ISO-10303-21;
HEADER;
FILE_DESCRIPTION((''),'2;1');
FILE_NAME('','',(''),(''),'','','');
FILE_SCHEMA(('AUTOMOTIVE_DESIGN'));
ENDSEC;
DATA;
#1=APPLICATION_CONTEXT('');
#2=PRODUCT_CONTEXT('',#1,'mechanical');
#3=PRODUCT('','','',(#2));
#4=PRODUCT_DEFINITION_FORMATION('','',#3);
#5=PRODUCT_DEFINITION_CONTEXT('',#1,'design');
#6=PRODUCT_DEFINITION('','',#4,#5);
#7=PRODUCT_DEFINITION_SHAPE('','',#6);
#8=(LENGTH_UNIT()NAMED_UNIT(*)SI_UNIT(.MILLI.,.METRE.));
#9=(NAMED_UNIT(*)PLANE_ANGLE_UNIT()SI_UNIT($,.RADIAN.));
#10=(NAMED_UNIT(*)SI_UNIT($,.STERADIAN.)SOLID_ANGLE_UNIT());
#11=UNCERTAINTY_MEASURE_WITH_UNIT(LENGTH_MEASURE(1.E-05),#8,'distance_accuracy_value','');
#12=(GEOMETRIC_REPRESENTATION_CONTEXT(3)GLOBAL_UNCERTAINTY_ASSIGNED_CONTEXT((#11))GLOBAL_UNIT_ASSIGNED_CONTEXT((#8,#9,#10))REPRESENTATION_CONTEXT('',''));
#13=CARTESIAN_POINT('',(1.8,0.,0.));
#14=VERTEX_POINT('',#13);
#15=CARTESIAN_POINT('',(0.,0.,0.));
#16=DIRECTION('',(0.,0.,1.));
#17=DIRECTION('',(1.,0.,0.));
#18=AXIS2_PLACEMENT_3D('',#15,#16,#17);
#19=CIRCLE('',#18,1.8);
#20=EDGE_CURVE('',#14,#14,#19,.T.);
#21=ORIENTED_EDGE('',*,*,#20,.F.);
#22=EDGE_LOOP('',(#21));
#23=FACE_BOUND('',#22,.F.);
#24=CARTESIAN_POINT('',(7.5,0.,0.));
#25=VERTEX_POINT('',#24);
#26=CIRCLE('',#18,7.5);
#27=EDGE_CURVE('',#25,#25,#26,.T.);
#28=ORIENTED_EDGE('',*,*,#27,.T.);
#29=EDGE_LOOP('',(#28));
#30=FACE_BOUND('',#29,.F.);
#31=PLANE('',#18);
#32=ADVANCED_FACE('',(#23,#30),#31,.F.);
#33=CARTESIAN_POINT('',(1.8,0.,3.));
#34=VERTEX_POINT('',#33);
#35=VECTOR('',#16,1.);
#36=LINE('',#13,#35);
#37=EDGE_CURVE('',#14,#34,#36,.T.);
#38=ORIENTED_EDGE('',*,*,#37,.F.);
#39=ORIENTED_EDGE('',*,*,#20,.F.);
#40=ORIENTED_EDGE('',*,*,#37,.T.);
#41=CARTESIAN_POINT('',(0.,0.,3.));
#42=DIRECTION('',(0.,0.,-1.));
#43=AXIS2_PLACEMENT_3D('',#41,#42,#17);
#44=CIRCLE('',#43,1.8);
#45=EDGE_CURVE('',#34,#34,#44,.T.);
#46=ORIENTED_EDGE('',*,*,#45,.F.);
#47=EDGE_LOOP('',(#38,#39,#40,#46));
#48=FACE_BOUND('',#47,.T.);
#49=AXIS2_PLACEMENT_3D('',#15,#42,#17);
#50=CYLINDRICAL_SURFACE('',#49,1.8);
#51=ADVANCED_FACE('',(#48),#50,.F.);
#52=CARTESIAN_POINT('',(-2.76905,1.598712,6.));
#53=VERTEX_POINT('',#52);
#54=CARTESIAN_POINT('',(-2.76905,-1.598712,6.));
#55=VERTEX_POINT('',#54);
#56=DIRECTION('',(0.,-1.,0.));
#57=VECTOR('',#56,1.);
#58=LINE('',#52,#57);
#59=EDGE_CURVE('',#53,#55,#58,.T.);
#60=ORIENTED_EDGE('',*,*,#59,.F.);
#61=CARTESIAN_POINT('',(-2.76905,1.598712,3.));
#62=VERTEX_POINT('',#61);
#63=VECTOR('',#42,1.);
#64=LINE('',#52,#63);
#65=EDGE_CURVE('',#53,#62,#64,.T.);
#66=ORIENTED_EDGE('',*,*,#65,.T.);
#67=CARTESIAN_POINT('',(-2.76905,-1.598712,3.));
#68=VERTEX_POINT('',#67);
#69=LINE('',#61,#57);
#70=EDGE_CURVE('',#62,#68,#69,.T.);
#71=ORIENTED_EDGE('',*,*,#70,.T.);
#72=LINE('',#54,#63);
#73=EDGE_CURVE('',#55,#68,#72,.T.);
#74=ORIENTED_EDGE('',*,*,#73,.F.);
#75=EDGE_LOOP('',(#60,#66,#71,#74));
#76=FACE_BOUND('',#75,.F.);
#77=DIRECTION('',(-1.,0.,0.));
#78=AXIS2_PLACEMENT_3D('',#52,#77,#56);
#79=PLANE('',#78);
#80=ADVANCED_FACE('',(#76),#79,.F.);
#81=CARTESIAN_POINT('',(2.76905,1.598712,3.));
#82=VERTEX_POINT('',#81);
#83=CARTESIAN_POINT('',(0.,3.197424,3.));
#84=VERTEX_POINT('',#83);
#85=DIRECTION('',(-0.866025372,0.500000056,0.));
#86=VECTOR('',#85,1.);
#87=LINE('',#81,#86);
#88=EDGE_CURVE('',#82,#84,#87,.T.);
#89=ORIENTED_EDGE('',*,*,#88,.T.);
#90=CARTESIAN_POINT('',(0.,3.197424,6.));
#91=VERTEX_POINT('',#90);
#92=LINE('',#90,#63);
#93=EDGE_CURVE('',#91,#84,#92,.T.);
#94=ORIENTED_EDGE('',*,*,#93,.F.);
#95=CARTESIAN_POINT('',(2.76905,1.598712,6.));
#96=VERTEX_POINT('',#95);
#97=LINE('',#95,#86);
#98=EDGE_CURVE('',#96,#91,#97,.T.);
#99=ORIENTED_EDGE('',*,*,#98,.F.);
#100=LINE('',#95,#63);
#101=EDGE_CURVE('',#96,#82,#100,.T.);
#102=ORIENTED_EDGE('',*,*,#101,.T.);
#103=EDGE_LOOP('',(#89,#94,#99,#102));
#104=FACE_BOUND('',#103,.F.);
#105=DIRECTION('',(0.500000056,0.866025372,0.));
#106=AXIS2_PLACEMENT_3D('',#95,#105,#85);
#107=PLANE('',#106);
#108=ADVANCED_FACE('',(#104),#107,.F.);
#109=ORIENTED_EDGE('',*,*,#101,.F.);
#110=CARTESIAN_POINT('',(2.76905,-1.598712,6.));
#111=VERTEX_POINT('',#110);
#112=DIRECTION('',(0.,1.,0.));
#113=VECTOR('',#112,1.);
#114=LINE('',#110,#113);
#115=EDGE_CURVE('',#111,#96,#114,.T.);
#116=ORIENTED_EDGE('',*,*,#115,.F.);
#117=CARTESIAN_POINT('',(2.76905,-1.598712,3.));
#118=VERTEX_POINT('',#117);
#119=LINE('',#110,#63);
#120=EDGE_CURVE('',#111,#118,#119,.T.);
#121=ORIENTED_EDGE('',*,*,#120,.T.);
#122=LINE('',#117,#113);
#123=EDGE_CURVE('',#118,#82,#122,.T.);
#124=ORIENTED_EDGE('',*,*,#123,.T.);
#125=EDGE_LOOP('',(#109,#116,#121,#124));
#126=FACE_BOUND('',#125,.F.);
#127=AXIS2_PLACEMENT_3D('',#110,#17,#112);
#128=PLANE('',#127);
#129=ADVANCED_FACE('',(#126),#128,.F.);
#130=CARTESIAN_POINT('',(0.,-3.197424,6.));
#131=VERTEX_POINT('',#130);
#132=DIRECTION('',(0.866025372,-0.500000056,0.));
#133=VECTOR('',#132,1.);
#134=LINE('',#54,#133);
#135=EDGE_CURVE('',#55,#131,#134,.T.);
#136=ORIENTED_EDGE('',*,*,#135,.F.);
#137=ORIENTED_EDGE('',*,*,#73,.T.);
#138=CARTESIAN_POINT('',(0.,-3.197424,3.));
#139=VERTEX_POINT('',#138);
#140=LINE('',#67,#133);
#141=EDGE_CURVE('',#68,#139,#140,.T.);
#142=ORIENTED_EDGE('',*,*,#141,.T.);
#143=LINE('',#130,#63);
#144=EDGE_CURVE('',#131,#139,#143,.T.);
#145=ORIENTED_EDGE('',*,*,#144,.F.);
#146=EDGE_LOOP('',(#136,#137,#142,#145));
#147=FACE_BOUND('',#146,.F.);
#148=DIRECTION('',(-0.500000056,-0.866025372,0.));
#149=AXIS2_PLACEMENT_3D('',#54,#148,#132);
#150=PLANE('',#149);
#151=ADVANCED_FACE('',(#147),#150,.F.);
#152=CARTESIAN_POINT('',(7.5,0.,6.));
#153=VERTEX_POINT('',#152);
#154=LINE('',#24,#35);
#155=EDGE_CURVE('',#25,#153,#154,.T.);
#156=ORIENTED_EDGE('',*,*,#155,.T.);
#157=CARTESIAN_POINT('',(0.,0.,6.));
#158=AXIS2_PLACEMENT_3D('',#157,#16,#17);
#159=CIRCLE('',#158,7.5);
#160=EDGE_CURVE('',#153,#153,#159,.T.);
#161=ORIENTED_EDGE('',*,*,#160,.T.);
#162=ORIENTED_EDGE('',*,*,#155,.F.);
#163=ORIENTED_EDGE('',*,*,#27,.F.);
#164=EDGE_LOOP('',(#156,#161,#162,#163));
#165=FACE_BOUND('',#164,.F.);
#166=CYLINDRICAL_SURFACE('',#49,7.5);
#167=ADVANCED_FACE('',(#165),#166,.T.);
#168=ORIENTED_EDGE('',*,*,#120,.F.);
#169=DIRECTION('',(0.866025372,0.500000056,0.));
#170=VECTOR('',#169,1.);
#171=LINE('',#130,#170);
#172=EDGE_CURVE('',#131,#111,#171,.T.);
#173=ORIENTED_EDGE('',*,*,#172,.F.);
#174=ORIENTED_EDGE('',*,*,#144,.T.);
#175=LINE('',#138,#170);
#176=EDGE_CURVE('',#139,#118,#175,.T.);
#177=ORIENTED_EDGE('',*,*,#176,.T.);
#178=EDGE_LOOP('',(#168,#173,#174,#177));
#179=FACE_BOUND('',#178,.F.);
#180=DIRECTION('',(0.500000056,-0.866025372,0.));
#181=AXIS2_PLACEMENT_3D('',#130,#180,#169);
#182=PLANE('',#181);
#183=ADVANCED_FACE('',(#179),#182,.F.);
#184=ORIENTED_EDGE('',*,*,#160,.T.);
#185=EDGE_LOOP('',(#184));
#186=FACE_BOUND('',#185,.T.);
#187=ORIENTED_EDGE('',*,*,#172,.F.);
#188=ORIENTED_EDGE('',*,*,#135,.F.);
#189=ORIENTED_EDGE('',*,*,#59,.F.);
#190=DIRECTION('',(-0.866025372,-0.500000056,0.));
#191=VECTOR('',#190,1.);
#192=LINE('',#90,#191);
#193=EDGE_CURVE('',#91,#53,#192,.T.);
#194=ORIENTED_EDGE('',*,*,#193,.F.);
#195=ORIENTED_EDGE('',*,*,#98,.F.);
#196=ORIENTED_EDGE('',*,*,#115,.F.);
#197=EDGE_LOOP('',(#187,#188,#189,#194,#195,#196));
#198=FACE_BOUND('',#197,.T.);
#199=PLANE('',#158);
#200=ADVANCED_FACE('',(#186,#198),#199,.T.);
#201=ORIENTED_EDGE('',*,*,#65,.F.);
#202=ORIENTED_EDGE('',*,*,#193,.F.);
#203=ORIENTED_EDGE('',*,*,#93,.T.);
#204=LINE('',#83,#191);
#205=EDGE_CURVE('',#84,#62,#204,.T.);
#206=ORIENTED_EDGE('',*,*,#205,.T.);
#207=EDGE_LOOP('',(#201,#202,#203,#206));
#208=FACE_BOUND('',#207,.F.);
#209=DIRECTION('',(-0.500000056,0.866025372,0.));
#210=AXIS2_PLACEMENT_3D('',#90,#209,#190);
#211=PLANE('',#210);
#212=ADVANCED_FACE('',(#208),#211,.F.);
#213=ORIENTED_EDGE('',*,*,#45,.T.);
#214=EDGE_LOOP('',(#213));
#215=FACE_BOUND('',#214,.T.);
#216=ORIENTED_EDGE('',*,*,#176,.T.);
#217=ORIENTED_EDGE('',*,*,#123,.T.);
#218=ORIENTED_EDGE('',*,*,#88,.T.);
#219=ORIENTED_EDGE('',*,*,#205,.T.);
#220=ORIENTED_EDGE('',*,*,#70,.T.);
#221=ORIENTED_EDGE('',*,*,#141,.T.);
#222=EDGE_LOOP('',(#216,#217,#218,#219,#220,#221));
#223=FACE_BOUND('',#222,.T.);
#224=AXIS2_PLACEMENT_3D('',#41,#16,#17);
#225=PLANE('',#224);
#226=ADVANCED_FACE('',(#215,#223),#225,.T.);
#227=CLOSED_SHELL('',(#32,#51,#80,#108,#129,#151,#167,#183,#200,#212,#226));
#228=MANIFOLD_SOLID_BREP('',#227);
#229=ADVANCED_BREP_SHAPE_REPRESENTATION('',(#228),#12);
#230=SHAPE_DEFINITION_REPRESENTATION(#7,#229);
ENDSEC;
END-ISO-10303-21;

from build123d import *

# Parameters (mm, degrees)
F0_R     = 7.5
F0_R_2   = 1.8
F1_DEPTH = 6
F3_DEPTH = 3


with BuildPart() as f1:
    # F0 (on Top) → F1 (new body)
    with BuildSketch(Plane.XY):
        Circle(F0_R)
        Circle(F0_R_2, mode=Mode.SUBTRACT)
    extrude(amount=F1_DEPTH)

    # F2 (on face) → F3 (cut)
    with BuildSketch(Plane.XY.offset(6)):
        Polygon((2.76905, 1.598712), (0, 3.197424), (-2.76905, 1.598712), (-2.76905, -1.598712), (0, -3.197424), (2.76905, -1.598712), align=None)
    extrude(amount=-F3_DEPTH, mode=Mode.SUBTRACT)


solid = f1.part
